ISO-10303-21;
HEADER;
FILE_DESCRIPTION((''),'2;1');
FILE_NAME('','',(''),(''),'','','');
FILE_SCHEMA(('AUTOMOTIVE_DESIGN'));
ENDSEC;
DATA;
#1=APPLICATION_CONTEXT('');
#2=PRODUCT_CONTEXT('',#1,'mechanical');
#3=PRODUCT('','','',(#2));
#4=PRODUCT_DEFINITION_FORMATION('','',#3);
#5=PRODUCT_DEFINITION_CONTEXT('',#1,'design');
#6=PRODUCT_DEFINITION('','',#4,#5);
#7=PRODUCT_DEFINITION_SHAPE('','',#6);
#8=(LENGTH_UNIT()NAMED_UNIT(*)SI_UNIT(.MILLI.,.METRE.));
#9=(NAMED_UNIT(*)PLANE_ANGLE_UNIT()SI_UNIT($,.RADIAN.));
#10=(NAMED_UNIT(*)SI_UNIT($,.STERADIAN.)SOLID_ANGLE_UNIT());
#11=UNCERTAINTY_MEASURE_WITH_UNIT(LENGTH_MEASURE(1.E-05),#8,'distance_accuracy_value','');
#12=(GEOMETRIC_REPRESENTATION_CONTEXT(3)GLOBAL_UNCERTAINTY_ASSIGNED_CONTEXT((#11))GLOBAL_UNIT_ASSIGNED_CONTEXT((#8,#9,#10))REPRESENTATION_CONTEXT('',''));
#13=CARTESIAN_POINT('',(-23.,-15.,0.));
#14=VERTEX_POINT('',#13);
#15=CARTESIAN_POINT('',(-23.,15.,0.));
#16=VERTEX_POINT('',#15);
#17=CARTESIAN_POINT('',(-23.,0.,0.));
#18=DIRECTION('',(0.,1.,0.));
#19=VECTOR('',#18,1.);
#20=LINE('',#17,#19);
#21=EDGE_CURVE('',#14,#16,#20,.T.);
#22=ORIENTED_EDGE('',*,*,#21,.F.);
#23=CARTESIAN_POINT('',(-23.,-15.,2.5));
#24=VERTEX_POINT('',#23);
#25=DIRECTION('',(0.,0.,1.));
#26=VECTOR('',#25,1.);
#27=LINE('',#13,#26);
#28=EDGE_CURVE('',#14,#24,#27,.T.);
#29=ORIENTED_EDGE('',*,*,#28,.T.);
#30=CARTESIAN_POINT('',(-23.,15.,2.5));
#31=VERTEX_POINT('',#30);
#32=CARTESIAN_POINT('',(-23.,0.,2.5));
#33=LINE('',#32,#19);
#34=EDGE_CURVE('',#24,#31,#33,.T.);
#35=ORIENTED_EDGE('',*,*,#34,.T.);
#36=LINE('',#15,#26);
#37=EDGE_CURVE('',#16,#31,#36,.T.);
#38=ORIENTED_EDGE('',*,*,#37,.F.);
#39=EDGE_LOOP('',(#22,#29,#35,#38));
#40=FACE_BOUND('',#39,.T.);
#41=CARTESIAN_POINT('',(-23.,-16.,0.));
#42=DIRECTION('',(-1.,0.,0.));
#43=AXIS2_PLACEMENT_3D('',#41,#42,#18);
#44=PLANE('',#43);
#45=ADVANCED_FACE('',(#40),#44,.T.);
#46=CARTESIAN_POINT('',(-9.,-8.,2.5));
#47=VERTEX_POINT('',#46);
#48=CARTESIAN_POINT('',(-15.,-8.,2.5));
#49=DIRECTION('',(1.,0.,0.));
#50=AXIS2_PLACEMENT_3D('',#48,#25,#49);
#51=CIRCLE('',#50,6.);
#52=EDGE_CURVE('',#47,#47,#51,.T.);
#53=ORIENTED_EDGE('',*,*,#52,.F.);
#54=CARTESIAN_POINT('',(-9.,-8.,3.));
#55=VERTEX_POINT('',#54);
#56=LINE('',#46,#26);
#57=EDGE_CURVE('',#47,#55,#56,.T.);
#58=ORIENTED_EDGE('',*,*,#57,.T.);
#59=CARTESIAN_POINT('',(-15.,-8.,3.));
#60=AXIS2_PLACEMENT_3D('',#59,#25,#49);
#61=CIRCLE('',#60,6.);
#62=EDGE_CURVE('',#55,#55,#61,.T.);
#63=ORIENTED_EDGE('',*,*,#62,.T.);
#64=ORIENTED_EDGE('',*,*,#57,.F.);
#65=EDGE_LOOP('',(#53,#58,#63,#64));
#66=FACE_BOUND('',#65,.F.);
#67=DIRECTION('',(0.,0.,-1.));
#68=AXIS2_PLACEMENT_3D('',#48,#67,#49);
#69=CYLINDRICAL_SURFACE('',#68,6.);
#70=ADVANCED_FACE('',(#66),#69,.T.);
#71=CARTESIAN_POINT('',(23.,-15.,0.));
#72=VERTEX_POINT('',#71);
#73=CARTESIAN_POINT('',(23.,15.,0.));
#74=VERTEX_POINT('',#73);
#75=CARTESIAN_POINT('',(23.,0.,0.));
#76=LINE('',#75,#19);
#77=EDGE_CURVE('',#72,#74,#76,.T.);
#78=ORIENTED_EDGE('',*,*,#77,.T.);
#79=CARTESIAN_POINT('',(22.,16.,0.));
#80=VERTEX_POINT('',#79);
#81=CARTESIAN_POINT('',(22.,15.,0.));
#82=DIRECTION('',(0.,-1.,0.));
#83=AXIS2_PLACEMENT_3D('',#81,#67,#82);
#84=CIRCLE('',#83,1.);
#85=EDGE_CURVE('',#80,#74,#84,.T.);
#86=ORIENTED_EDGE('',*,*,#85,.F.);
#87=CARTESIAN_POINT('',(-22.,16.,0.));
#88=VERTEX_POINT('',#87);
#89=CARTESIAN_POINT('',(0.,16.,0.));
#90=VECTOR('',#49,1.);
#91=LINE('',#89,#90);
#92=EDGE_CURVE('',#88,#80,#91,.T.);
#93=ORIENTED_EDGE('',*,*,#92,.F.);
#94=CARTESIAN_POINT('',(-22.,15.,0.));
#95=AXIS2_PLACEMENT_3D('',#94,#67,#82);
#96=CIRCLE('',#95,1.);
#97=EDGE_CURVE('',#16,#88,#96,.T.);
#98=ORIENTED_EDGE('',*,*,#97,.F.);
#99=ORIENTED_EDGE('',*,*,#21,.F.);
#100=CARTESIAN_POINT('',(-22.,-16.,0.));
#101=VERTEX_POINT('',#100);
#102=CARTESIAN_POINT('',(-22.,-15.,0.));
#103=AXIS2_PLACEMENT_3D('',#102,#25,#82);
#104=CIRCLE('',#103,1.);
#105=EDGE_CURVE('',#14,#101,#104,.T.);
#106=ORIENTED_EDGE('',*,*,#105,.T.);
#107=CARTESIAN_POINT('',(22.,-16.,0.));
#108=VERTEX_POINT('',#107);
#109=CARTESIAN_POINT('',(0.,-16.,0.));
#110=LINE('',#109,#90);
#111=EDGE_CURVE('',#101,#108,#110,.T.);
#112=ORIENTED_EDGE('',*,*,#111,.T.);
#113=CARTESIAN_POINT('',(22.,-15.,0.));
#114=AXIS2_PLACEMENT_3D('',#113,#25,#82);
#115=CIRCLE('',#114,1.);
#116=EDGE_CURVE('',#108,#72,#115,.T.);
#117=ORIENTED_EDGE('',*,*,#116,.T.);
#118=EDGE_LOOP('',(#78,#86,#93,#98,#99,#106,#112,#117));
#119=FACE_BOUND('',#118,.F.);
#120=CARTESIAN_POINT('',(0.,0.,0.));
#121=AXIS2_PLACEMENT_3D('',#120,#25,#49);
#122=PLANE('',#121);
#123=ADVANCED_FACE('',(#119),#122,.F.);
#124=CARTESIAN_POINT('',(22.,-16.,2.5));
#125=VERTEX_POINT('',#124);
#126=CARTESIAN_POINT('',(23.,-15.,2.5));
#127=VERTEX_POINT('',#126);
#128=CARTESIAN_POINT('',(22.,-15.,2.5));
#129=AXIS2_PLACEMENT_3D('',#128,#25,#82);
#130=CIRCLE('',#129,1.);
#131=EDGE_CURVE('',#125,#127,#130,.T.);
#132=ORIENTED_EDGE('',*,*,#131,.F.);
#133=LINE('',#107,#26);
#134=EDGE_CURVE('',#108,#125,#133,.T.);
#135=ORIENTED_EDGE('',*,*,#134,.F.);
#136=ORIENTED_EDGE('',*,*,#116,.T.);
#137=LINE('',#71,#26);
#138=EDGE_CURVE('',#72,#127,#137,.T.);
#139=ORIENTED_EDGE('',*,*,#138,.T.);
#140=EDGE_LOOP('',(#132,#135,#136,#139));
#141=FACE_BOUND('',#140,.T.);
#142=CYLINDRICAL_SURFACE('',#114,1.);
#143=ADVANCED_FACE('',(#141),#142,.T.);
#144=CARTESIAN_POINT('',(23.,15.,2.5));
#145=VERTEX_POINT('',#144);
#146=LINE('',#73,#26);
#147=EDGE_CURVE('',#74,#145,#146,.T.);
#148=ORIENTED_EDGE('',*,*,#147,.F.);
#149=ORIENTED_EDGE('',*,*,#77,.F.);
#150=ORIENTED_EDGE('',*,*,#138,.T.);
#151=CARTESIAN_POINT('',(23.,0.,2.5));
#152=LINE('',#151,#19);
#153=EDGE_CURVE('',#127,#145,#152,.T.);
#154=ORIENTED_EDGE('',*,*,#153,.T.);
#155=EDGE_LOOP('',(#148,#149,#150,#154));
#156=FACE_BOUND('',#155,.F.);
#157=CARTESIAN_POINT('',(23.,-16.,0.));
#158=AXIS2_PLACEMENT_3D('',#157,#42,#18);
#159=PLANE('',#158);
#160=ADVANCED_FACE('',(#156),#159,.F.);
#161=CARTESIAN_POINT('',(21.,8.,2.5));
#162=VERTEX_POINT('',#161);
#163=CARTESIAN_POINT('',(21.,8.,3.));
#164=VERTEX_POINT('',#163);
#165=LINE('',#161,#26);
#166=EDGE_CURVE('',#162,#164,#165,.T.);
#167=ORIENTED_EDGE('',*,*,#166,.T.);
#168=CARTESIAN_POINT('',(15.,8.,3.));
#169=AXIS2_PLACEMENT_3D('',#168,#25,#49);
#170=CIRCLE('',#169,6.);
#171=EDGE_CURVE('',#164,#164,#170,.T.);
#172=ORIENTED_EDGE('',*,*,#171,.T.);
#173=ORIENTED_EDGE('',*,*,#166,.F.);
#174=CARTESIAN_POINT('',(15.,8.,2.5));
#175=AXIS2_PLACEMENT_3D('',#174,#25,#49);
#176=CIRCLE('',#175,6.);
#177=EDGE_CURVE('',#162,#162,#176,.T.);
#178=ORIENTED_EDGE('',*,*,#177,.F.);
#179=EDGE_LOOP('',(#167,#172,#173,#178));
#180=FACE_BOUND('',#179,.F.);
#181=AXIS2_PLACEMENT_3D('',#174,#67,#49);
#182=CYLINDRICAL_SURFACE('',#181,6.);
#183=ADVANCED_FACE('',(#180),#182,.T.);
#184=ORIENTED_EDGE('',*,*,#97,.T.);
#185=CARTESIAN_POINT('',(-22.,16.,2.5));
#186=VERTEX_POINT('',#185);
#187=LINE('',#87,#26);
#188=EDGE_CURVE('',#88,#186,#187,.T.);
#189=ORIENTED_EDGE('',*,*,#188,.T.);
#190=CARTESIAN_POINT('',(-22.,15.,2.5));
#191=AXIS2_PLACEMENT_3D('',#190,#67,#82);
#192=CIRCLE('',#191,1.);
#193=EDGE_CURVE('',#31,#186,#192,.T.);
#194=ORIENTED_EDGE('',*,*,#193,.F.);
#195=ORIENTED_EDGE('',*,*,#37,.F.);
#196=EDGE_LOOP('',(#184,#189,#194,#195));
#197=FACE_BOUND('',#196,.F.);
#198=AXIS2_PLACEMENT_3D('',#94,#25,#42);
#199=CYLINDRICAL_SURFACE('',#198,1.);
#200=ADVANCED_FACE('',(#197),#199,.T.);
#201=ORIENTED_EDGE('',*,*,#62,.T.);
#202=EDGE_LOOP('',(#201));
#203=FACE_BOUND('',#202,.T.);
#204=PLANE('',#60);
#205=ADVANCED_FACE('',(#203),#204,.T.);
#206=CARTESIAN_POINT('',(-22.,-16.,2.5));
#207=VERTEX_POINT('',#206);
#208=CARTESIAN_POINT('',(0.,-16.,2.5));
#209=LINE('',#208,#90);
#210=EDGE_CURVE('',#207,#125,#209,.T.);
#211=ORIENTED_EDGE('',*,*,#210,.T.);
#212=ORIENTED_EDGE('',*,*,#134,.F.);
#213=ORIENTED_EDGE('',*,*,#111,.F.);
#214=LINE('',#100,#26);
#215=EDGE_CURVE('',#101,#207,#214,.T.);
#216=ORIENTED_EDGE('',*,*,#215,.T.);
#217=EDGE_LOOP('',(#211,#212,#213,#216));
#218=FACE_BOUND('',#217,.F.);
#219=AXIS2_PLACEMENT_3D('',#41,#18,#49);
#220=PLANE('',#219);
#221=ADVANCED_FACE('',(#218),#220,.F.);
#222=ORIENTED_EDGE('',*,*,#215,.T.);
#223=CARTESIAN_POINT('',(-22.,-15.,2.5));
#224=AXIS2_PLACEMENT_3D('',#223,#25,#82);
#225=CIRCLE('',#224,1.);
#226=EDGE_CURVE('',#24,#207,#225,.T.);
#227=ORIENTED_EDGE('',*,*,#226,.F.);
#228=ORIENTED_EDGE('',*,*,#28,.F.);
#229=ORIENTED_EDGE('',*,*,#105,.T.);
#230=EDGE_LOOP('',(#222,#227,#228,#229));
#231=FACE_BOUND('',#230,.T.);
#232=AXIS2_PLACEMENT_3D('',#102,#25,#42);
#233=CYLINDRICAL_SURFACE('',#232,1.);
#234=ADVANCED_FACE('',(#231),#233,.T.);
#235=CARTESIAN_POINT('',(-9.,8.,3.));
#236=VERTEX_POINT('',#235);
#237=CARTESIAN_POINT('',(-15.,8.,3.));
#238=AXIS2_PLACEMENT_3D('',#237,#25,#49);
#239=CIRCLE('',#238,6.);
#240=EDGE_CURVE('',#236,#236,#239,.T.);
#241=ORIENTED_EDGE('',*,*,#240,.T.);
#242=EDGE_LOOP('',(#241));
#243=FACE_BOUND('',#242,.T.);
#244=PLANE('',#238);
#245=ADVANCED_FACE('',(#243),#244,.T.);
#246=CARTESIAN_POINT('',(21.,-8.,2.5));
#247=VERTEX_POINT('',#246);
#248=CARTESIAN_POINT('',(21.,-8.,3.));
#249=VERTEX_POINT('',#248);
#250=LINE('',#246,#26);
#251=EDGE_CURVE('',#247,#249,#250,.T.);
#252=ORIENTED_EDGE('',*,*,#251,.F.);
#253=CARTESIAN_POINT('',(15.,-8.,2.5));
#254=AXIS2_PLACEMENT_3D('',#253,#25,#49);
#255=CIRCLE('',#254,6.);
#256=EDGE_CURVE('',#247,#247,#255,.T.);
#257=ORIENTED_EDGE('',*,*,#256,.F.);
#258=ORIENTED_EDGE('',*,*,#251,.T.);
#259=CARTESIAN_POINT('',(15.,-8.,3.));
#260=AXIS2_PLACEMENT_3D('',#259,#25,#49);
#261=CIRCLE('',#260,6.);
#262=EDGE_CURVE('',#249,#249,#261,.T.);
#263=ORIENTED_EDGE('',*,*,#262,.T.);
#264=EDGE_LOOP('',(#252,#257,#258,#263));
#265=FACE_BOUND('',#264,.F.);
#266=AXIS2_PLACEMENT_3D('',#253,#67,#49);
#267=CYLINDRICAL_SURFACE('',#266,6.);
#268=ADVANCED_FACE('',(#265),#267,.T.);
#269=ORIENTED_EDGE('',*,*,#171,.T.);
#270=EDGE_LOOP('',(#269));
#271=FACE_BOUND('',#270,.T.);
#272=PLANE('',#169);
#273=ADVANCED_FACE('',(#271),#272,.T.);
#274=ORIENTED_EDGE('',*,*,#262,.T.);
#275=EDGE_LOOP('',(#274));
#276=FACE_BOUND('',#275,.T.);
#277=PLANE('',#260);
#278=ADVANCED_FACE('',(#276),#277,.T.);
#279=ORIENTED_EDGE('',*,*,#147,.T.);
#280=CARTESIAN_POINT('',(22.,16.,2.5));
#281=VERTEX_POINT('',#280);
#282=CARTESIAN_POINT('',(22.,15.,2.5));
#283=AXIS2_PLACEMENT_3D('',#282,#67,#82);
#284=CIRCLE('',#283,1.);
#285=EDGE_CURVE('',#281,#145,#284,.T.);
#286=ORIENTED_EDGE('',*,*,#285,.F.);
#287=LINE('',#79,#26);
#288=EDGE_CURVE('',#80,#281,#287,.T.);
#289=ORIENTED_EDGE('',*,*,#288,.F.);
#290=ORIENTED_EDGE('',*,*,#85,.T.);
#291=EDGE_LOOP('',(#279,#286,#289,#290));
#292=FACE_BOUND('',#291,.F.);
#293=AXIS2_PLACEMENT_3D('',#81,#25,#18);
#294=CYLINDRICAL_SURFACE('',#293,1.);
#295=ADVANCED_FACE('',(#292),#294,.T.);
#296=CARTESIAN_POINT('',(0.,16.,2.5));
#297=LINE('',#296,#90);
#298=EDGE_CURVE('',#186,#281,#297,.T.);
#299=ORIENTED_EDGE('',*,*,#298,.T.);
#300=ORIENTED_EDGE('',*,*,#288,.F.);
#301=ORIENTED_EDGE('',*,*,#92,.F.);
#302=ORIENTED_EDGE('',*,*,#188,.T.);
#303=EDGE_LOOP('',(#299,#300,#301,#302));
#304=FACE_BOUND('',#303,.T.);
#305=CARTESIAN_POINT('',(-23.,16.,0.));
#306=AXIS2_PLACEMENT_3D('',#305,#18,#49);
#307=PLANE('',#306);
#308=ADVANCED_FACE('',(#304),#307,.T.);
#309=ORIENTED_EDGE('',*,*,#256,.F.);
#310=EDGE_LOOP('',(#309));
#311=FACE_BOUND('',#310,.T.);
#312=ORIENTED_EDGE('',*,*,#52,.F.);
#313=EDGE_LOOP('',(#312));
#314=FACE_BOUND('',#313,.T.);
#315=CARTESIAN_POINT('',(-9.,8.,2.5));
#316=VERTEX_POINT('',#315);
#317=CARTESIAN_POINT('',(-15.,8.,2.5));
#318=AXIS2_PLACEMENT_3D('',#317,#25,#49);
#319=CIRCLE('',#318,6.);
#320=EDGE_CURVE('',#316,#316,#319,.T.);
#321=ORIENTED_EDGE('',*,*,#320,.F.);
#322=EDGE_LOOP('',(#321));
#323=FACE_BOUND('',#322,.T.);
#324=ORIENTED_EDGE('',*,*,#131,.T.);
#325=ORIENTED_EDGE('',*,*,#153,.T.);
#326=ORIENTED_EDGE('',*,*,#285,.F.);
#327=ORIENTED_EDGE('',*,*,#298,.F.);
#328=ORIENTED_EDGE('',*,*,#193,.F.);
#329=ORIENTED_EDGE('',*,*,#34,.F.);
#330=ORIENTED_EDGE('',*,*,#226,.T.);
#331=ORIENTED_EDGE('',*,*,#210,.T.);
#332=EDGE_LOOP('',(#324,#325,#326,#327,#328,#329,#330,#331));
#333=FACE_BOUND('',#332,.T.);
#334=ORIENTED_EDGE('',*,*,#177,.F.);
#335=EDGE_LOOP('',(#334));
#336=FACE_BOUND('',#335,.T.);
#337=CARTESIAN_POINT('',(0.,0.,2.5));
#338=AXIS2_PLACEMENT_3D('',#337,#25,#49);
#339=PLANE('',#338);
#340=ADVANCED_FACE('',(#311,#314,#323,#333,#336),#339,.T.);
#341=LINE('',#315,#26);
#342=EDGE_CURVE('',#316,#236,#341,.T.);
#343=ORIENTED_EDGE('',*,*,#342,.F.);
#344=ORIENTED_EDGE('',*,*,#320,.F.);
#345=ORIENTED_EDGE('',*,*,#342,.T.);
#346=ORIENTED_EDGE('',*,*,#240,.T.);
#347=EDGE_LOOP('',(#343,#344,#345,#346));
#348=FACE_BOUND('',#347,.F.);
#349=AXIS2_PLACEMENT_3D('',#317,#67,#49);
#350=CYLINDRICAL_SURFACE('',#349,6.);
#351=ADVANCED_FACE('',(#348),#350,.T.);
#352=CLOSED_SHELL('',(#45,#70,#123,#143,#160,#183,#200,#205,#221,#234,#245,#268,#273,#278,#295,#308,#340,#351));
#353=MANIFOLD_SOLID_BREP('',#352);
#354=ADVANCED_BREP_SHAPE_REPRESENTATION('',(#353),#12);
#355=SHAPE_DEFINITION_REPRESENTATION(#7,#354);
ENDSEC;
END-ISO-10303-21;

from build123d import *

# Parameters (mm, degrees)
F0_W     = 46
F0_H     = 32
F1_DEPTH = 2.5
F2_R     = 6
F3_DEPTH = 0.5
F4_R     = 1


with BuildPart() as f1:
    # F0 (on Top) → F1 (new body)
    with BuildSketch(Plane.XY):
        Rectangle(F0_W, F0_H)
    extrude(amount=F1_DEPTH)

    # F2 (on face) → F3 (join)
    with BuildSketch(Plane.XY.offset(2.5)):
        with Locations((-15, 8)):
            Circle(F2_R)
        with Locations((15, 8)):
            Circle(F2_R)
        with Locations((-15, -8)):
            Circle(F2_R)
        with Locations((15, -8)):
            Circle(F2_R)
    extrude(amount=F3_DEPTH)

    # F4
    f4_edges = [f1.edges().sort_by_distance(p)[0] for p in [
        (23, -16, 1.25),
        (-23, -16, 1.25),
        (23, 16, 1.25),
        (-23, 16, 1.25),
    ]]
    fillet(f4_edges, radius=F4_R)


solid = f1.part
